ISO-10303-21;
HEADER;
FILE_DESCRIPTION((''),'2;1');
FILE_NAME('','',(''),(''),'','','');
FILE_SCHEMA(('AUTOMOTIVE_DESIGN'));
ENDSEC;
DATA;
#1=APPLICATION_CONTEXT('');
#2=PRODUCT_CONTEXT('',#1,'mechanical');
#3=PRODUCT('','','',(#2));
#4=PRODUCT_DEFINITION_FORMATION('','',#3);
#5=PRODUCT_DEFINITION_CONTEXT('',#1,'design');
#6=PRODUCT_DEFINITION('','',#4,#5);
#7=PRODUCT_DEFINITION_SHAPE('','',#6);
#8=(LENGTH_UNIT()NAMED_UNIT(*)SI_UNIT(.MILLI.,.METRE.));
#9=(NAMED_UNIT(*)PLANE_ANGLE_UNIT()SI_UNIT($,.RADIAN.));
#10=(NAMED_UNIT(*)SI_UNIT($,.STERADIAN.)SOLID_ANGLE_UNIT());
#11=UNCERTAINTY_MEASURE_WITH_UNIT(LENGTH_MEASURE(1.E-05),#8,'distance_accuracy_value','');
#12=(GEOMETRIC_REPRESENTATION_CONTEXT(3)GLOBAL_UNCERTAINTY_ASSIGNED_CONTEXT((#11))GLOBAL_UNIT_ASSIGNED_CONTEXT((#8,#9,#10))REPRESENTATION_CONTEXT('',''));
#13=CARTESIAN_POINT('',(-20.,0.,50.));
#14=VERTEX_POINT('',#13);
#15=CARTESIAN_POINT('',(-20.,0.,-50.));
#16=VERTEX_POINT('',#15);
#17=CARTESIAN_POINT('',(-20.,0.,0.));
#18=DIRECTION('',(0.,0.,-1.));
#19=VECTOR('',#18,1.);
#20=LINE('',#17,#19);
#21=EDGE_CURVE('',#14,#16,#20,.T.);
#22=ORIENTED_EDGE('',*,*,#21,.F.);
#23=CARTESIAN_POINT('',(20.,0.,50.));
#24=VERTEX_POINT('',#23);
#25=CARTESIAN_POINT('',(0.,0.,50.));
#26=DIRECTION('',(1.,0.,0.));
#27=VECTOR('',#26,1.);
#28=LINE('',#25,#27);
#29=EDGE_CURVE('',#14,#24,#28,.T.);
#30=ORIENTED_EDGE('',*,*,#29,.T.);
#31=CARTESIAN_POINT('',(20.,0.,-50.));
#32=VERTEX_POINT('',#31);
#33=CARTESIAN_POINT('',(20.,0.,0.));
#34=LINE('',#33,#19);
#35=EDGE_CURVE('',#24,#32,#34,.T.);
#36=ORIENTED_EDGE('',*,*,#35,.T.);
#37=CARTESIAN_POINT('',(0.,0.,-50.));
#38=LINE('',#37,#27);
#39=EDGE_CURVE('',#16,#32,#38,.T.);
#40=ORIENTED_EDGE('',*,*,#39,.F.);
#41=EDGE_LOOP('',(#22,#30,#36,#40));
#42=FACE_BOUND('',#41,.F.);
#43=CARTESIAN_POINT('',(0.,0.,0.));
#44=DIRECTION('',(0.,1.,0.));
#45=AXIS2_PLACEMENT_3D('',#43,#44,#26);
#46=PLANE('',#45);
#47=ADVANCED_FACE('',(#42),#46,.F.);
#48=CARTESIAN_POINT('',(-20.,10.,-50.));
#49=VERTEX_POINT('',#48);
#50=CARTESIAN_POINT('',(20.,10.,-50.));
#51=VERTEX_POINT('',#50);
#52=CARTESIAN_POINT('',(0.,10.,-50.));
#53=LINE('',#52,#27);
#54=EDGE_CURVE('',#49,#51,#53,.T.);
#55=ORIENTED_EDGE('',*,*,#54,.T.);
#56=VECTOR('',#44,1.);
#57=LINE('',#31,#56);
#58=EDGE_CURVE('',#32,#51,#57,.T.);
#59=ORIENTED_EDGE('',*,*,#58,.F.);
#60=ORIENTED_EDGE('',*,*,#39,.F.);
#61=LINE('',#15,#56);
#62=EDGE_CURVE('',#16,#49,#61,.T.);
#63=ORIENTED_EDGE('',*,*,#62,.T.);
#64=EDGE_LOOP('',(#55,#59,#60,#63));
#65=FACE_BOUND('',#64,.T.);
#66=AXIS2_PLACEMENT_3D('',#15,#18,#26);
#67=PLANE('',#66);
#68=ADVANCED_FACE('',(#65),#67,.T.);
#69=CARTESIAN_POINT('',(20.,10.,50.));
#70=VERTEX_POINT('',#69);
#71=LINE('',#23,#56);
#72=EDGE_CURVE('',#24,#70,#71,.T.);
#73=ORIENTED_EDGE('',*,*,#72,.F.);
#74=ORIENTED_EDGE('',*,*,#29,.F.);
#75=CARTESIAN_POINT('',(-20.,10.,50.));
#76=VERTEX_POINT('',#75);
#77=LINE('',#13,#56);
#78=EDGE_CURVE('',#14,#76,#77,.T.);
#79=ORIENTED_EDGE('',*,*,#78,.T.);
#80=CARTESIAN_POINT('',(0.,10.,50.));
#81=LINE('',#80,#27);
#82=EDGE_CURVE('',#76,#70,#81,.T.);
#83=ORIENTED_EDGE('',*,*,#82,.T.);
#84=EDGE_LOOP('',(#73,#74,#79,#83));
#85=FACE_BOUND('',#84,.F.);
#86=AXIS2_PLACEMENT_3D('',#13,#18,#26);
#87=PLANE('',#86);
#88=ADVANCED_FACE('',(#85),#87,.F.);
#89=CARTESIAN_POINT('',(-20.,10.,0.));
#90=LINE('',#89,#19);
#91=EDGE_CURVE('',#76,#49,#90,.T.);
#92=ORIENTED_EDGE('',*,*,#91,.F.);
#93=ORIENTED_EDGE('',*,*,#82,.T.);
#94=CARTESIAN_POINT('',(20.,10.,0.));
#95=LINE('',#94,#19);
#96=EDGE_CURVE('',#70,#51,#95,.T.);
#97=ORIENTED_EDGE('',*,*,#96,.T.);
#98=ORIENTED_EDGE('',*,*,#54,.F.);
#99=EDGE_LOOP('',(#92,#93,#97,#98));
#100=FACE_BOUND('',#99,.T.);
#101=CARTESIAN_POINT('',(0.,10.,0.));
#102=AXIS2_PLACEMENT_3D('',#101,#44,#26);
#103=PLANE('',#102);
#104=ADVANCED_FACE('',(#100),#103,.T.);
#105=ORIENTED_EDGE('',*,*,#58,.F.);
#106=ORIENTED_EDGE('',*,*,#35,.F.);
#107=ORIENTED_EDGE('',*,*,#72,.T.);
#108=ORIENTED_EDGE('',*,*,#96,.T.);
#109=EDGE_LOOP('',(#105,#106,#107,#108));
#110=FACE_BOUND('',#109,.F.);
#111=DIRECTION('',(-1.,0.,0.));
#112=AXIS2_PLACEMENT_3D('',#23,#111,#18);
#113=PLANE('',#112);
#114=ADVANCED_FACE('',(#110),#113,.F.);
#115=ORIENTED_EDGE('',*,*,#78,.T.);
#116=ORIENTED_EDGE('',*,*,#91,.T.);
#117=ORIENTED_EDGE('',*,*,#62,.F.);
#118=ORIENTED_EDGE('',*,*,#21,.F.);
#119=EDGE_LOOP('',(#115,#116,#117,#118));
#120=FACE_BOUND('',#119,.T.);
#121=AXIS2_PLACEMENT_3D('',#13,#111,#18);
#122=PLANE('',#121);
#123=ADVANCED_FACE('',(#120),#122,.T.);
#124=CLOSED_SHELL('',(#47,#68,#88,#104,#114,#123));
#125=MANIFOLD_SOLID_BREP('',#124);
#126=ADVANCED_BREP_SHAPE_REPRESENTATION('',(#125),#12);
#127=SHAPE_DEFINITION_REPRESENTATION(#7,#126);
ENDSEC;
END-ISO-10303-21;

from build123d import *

# Parameters (mm, degrees)
SKETCH1_W           = 40
SKETCH1_H           = 100
BOSS_EXTRUDE1_DEPTH = 10


with BuildPart() as part:
    # Sketch1 → Boss-Extrude1 (new body)
    with BuildSketch(Plane(origin=(0, 0, 0), x_dir=(1, 0, 0), z_dir=(0, 1, 0))):
        Rectangle(SKETCH1_W, SKETCH1_H)
    extrude(amount=BOSS_EXTRUDE1_DEPTH)


solid = part.part
